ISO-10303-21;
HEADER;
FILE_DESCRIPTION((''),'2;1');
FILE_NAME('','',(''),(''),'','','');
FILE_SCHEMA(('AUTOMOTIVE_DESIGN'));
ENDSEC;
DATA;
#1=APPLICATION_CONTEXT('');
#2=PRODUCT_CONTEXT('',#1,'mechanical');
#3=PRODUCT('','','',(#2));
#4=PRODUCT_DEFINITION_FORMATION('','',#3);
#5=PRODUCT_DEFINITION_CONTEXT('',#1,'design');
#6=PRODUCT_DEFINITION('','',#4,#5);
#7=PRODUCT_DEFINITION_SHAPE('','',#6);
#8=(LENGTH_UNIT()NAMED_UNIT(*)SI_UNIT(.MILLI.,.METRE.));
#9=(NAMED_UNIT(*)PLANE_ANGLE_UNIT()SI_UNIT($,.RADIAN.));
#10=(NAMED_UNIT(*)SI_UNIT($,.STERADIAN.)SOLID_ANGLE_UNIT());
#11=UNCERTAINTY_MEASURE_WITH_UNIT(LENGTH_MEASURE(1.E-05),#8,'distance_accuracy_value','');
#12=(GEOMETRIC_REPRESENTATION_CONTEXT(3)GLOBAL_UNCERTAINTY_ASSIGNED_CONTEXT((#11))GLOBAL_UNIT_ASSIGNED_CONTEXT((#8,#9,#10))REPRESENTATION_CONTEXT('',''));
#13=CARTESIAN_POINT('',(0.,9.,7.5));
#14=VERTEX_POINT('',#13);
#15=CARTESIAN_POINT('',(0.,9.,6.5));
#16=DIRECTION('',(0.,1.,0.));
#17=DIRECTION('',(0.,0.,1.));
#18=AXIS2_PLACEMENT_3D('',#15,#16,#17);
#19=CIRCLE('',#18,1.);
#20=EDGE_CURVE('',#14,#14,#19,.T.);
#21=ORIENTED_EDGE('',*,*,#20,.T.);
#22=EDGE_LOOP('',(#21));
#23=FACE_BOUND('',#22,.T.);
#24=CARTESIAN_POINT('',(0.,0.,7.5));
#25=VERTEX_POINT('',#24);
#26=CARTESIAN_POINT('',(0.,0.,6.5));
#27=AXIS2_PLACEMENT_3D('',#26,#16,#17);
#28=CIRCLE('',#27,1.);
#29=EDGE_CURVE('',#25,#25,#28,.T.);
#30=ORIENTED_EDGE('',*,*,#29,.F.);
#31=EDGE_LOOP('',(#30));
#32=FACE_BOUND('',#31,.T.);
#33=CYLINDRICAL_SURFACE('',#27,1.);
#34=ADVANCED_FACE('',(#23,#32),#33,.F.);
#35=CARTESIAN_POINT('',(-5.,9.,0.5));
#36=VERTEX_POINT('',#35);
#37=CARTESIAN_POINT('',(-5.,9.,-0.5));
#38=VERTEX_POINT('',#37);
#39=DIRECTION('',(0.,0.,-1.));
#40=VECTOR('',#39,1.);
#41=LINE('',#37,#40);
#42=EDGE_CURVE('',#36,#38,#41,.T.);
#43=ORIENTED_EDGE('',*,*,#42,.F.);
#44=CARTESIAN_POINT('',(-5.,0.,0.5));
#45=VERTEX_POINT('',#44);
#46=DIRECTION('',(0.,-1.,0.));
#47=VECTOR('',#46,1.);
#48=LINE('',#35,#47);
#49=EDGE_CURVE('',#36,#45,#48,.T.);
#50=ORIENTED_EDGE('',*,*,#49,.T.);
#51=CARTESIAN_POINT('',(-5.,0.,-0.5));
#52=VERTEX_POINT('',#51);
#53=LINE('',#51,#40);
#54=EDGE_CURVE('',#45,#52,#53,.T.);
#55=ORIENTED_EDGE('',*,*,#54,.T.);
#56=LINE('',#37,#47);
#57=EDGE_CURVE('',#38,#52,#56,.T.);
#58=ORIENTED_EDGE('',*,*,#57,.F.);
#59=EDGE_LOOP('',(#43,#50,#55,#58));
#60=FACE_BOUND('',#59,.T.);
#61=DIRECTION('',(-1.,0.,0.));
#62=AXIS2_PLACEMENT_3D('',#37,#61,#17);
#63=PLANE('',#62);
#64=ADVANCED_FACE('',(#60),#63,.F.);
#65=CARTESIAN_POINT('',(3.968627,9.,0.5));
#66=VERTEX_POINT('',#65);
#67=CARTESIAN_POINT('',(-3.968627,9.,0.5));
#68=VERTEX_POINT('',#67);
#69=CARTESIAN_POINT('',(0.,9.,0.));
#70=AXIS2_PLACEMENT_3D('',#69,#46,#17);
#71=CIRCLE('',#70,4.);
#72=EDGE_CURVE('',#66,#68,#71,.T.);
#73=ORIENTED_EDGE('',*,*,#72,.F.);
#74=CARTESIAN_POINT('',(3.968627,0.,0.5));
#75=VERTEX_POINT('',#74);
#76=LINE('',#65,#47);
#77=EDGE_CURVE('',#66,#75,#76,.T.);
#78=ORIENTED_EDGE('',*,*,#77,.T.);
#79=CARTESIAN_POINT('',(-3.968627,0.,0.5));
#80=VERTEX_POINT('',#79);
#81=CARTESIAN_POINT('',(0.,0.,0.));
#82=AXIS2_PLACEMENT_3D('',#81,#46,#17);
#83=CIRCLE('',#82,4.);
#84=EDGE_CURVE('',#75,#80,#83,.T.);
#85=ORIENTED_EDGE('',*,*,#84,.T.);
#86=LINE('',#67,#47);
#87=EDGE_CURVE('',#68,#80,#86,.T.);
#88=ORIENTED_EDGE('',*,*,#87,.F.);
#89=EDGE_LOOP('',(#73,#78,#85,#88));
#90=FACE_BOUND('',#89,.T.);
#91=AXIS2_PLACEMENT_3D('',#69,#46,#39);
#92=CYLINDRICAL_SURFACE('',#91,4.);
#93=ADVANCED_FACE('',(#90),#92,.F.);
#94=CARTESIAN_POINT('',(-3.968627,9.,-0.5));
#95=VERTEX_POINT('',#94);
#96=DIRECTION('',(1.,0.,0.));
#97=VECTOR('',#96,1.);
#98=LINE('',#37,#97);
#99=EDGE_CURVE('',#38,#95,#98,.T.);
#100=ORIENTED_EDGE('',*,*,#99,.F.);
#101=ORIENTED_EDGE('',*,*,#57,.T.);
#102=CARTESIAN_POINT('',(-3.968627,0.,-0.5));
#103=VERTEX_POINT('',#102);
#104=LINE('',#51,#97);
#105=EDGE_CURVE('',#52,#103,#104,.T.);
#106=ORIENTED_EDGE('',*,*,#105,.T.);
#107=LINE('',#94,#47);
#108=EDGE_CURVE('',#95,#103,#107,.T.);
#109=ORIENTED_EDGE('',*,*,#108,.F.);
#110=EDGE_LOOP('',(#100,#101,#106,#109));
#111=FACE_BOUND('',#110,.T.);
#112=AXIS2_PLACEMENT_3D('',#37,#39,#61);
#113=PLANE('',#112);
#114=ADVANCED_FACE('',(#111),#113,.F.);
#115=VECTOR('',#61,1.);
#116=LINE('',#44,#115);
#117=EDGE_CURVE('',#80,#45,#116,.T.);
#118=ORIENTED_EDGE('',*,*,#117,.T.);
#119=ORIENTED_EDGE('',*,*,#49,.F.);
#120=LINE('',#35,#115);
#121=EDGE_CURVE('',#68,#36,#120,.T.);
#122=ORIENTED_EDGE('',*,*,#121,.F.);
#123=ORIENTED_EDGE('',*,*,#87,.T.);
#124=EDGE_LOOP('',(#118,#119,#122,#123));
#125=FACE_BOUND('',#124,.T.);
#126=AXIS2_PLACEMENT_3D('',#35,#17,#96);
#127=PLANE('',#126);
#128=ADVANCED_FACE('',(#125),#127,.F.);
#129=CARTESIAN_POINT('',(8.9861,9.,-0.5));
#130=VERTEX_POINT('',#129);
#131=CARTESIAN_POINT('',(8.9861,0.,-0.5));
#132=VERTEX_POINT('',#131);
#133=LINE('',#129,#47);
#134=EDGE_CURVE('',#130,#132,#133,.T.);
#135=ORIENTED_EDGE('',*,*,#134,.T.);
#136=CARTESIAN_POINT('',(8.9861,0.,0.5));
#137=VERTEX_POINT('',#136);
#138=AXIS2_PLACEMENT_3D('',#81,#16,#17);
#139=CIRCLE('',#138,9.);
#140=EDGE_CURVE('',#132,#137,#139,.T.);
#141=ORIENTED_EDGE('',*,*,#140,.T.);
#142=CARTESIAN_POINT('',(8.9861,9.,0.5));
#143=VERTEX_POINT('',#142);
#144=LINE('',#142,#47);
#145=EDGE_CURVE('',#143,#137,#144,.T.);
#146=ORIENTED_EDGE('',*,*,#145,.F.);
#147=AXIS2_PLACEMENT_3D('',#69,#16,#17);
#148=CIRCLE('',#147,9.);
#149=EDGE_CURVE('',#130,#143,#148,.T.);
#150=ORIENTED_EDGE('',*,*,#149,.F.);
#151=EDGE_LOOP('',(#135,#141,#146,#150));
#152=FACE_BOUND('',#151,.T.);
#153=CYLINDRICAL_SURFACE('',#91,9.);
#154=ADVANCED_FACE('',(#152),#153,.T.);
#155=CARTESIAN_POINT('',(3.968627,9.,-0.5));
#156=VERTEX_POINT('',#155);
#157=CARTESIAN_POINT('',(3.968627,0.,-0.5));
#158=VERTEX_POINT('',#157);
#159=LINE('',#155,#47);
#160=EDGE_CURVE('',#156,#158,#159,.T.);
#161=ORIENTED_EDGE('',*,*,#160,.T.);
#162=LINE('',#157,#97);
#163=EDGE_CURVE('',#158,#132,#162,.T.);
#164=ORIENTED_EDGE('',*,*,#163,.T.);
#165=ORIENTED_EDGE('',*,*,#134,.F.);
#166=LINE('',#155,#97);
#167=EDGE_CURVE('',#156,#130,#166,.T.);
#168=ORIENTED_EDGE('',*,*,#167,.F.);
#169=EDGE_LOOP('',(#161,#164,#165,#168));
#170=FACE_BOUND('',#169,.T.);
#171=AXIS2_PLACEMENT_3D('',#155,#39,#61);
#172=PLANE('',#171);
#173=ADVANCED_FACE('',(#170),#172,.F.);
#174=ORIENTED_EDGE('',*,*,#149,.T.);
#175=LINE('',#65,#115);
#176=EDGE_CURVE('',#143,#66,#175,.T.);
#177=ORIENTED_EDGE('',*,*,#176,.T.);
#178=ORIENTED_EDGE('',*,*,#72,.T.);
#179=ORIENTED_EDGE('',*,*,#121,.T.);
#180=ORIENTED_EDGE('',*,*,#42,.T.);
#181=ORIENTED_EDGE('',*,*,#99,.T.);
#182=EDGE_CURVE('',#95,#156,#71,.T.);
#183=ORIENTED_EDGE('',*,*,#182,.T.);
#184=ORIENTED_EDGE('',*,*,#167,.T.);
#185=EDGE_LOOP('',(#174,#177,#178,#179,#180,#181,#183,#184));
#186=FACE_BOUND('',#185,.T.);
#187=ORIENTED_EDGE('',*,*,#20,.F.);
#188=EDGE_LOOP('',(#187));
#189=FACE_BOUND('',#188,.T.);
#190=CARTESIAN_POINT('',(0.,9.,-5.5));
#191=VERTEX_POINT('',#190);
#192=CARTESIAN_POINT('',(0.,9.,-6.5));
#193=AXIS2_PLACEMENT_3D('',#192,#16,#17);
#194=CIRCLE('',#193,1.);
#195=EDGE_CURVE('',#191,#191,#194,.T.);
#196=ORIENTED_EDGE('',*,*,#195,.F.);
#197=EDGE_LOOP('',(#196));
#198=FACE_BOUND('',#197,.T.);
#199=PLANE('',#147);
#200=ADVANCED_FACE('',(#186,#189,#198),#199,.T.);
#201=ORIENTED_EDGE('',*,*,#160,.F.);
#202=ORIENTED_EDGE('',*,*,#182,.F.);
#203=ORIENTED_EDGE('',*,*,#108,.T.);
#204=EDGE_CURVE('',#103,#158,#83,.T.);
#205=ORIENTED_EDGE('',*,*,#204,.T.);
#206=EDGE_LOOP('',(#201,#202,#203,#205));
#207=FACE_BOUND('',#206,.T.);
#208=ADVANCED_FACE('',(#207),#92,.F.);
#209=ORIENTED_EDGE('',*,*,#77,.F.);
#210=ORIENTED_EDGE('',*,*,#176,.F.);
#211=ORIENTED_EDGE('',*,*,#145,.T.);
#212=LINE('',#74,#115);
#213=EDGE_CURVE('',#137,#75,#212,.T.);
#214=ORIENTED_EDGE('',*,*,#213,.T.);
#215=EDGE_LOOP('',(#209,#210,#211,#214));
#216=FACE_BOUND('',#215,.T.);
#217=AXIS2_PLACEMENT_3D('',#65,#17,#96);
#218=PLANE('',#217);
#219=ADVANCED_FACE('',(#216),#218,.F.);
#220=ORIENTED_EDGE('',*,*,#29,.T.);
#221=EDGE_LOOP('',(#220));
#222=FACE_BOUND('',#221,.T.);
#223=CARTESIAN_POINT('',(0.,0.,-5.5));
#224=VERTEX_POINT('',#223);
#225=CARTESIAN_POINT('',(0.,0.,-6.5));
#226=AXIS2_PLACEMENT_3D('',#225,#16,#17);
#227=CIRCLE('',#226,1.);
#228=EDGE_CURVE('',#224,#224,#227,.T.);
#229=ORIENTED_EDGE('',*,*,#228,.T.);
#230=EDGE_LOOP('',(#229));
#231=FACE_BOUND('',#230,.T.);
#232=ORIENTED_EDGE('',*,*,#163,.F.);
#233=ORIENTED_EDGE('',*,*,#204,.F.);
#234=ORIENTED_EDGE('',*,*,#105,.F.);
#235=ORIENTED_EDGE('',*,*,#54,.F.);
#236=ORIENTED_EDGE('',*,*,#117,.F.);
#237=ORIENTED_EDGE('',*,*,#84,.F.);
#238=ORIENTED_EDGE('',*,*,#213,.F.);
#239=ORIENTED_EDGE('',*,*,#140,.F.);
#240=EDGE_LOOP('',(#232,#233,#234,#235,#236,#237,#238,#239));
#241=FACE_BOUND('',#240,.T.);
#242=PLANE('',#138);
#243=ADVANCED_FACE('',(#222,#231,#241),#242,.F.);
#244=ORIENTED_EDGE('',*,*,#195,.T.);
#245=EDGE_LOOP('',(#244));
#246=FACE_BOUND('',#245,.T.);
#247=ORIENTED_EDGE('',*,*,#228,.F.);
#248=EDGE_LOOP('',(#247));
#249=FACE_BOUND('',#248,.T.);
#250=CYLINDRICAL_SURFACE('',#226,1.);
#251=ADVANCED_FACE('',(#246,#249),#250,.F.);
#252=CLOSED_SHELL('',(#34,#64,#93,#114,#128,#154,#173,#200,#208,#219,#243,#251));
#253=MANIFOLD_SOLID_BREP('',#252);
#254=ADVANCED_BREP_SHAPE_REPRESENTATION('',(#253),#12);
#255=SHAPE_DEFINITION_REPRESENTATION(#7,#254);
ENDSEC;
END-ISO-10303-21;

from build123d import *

# Parameters (mm, degrees)
BOSS_EXTRU_1_DEPTH      = 9
ESQUISSE2_R             = 1
ENL_V_MAT_EXTRU_1_DEPTH = 16.588457268


with BuildPart() as part:
    # Esquisse1 → Boss.-Extru.1 (new body)
    with BuildSketch(Plane(origin=(0, 0, 0), x_dir=(1, 0, 0), z_dir=(0, 1, 0))):
        with BuildLine():
            Line((3.968626967, 0.5), (8.986100378, 0.5))
            ThreePointArc((8.986100378, 0.5), (-9, 0), (8.986100378, -0.5))
            Line((8.986100378, -0.5), (3.968626967, -0.5))
            ThreePointArc((3.968626967, -0.5), (0, -4), (-3.968626967, -0.5))
            Line((-3.968626967, -0.5), (-5, -0.5))
            Line((-5, -0.5), (-5, 0.5))
            Line((-5, 0.5), (-3.968626967, 0.5))
            ThreePointArc((-3.968626967, 0.5), (0, 4), (3.968626967, 0.5))
        make_face()
    extrude(amount=BOSS_EXTRU_1_DEPTH)

    # Esquisse2 → Enlèv. mat.-Extru.1 (cut, through all)
    with BuildSketch(Plane(origin=(0, 9, 0), x_dir=(1, 0, 0), z_dir=(0, 1, 0))):
        with Locations(Location((0, -6.5, 0), (0, 0, 270))):
            Circle(ESQUISSE2_R)
        with Locations(Location((0, 6.5, 0), (0, 0, 270))):
            Circle(ESQUISSE2_R)
    extrude(amount=-ENL_V_MAT_EXTRU_1_DEPTH, mode=Mode.SUBTRACT)


solid = part.part
